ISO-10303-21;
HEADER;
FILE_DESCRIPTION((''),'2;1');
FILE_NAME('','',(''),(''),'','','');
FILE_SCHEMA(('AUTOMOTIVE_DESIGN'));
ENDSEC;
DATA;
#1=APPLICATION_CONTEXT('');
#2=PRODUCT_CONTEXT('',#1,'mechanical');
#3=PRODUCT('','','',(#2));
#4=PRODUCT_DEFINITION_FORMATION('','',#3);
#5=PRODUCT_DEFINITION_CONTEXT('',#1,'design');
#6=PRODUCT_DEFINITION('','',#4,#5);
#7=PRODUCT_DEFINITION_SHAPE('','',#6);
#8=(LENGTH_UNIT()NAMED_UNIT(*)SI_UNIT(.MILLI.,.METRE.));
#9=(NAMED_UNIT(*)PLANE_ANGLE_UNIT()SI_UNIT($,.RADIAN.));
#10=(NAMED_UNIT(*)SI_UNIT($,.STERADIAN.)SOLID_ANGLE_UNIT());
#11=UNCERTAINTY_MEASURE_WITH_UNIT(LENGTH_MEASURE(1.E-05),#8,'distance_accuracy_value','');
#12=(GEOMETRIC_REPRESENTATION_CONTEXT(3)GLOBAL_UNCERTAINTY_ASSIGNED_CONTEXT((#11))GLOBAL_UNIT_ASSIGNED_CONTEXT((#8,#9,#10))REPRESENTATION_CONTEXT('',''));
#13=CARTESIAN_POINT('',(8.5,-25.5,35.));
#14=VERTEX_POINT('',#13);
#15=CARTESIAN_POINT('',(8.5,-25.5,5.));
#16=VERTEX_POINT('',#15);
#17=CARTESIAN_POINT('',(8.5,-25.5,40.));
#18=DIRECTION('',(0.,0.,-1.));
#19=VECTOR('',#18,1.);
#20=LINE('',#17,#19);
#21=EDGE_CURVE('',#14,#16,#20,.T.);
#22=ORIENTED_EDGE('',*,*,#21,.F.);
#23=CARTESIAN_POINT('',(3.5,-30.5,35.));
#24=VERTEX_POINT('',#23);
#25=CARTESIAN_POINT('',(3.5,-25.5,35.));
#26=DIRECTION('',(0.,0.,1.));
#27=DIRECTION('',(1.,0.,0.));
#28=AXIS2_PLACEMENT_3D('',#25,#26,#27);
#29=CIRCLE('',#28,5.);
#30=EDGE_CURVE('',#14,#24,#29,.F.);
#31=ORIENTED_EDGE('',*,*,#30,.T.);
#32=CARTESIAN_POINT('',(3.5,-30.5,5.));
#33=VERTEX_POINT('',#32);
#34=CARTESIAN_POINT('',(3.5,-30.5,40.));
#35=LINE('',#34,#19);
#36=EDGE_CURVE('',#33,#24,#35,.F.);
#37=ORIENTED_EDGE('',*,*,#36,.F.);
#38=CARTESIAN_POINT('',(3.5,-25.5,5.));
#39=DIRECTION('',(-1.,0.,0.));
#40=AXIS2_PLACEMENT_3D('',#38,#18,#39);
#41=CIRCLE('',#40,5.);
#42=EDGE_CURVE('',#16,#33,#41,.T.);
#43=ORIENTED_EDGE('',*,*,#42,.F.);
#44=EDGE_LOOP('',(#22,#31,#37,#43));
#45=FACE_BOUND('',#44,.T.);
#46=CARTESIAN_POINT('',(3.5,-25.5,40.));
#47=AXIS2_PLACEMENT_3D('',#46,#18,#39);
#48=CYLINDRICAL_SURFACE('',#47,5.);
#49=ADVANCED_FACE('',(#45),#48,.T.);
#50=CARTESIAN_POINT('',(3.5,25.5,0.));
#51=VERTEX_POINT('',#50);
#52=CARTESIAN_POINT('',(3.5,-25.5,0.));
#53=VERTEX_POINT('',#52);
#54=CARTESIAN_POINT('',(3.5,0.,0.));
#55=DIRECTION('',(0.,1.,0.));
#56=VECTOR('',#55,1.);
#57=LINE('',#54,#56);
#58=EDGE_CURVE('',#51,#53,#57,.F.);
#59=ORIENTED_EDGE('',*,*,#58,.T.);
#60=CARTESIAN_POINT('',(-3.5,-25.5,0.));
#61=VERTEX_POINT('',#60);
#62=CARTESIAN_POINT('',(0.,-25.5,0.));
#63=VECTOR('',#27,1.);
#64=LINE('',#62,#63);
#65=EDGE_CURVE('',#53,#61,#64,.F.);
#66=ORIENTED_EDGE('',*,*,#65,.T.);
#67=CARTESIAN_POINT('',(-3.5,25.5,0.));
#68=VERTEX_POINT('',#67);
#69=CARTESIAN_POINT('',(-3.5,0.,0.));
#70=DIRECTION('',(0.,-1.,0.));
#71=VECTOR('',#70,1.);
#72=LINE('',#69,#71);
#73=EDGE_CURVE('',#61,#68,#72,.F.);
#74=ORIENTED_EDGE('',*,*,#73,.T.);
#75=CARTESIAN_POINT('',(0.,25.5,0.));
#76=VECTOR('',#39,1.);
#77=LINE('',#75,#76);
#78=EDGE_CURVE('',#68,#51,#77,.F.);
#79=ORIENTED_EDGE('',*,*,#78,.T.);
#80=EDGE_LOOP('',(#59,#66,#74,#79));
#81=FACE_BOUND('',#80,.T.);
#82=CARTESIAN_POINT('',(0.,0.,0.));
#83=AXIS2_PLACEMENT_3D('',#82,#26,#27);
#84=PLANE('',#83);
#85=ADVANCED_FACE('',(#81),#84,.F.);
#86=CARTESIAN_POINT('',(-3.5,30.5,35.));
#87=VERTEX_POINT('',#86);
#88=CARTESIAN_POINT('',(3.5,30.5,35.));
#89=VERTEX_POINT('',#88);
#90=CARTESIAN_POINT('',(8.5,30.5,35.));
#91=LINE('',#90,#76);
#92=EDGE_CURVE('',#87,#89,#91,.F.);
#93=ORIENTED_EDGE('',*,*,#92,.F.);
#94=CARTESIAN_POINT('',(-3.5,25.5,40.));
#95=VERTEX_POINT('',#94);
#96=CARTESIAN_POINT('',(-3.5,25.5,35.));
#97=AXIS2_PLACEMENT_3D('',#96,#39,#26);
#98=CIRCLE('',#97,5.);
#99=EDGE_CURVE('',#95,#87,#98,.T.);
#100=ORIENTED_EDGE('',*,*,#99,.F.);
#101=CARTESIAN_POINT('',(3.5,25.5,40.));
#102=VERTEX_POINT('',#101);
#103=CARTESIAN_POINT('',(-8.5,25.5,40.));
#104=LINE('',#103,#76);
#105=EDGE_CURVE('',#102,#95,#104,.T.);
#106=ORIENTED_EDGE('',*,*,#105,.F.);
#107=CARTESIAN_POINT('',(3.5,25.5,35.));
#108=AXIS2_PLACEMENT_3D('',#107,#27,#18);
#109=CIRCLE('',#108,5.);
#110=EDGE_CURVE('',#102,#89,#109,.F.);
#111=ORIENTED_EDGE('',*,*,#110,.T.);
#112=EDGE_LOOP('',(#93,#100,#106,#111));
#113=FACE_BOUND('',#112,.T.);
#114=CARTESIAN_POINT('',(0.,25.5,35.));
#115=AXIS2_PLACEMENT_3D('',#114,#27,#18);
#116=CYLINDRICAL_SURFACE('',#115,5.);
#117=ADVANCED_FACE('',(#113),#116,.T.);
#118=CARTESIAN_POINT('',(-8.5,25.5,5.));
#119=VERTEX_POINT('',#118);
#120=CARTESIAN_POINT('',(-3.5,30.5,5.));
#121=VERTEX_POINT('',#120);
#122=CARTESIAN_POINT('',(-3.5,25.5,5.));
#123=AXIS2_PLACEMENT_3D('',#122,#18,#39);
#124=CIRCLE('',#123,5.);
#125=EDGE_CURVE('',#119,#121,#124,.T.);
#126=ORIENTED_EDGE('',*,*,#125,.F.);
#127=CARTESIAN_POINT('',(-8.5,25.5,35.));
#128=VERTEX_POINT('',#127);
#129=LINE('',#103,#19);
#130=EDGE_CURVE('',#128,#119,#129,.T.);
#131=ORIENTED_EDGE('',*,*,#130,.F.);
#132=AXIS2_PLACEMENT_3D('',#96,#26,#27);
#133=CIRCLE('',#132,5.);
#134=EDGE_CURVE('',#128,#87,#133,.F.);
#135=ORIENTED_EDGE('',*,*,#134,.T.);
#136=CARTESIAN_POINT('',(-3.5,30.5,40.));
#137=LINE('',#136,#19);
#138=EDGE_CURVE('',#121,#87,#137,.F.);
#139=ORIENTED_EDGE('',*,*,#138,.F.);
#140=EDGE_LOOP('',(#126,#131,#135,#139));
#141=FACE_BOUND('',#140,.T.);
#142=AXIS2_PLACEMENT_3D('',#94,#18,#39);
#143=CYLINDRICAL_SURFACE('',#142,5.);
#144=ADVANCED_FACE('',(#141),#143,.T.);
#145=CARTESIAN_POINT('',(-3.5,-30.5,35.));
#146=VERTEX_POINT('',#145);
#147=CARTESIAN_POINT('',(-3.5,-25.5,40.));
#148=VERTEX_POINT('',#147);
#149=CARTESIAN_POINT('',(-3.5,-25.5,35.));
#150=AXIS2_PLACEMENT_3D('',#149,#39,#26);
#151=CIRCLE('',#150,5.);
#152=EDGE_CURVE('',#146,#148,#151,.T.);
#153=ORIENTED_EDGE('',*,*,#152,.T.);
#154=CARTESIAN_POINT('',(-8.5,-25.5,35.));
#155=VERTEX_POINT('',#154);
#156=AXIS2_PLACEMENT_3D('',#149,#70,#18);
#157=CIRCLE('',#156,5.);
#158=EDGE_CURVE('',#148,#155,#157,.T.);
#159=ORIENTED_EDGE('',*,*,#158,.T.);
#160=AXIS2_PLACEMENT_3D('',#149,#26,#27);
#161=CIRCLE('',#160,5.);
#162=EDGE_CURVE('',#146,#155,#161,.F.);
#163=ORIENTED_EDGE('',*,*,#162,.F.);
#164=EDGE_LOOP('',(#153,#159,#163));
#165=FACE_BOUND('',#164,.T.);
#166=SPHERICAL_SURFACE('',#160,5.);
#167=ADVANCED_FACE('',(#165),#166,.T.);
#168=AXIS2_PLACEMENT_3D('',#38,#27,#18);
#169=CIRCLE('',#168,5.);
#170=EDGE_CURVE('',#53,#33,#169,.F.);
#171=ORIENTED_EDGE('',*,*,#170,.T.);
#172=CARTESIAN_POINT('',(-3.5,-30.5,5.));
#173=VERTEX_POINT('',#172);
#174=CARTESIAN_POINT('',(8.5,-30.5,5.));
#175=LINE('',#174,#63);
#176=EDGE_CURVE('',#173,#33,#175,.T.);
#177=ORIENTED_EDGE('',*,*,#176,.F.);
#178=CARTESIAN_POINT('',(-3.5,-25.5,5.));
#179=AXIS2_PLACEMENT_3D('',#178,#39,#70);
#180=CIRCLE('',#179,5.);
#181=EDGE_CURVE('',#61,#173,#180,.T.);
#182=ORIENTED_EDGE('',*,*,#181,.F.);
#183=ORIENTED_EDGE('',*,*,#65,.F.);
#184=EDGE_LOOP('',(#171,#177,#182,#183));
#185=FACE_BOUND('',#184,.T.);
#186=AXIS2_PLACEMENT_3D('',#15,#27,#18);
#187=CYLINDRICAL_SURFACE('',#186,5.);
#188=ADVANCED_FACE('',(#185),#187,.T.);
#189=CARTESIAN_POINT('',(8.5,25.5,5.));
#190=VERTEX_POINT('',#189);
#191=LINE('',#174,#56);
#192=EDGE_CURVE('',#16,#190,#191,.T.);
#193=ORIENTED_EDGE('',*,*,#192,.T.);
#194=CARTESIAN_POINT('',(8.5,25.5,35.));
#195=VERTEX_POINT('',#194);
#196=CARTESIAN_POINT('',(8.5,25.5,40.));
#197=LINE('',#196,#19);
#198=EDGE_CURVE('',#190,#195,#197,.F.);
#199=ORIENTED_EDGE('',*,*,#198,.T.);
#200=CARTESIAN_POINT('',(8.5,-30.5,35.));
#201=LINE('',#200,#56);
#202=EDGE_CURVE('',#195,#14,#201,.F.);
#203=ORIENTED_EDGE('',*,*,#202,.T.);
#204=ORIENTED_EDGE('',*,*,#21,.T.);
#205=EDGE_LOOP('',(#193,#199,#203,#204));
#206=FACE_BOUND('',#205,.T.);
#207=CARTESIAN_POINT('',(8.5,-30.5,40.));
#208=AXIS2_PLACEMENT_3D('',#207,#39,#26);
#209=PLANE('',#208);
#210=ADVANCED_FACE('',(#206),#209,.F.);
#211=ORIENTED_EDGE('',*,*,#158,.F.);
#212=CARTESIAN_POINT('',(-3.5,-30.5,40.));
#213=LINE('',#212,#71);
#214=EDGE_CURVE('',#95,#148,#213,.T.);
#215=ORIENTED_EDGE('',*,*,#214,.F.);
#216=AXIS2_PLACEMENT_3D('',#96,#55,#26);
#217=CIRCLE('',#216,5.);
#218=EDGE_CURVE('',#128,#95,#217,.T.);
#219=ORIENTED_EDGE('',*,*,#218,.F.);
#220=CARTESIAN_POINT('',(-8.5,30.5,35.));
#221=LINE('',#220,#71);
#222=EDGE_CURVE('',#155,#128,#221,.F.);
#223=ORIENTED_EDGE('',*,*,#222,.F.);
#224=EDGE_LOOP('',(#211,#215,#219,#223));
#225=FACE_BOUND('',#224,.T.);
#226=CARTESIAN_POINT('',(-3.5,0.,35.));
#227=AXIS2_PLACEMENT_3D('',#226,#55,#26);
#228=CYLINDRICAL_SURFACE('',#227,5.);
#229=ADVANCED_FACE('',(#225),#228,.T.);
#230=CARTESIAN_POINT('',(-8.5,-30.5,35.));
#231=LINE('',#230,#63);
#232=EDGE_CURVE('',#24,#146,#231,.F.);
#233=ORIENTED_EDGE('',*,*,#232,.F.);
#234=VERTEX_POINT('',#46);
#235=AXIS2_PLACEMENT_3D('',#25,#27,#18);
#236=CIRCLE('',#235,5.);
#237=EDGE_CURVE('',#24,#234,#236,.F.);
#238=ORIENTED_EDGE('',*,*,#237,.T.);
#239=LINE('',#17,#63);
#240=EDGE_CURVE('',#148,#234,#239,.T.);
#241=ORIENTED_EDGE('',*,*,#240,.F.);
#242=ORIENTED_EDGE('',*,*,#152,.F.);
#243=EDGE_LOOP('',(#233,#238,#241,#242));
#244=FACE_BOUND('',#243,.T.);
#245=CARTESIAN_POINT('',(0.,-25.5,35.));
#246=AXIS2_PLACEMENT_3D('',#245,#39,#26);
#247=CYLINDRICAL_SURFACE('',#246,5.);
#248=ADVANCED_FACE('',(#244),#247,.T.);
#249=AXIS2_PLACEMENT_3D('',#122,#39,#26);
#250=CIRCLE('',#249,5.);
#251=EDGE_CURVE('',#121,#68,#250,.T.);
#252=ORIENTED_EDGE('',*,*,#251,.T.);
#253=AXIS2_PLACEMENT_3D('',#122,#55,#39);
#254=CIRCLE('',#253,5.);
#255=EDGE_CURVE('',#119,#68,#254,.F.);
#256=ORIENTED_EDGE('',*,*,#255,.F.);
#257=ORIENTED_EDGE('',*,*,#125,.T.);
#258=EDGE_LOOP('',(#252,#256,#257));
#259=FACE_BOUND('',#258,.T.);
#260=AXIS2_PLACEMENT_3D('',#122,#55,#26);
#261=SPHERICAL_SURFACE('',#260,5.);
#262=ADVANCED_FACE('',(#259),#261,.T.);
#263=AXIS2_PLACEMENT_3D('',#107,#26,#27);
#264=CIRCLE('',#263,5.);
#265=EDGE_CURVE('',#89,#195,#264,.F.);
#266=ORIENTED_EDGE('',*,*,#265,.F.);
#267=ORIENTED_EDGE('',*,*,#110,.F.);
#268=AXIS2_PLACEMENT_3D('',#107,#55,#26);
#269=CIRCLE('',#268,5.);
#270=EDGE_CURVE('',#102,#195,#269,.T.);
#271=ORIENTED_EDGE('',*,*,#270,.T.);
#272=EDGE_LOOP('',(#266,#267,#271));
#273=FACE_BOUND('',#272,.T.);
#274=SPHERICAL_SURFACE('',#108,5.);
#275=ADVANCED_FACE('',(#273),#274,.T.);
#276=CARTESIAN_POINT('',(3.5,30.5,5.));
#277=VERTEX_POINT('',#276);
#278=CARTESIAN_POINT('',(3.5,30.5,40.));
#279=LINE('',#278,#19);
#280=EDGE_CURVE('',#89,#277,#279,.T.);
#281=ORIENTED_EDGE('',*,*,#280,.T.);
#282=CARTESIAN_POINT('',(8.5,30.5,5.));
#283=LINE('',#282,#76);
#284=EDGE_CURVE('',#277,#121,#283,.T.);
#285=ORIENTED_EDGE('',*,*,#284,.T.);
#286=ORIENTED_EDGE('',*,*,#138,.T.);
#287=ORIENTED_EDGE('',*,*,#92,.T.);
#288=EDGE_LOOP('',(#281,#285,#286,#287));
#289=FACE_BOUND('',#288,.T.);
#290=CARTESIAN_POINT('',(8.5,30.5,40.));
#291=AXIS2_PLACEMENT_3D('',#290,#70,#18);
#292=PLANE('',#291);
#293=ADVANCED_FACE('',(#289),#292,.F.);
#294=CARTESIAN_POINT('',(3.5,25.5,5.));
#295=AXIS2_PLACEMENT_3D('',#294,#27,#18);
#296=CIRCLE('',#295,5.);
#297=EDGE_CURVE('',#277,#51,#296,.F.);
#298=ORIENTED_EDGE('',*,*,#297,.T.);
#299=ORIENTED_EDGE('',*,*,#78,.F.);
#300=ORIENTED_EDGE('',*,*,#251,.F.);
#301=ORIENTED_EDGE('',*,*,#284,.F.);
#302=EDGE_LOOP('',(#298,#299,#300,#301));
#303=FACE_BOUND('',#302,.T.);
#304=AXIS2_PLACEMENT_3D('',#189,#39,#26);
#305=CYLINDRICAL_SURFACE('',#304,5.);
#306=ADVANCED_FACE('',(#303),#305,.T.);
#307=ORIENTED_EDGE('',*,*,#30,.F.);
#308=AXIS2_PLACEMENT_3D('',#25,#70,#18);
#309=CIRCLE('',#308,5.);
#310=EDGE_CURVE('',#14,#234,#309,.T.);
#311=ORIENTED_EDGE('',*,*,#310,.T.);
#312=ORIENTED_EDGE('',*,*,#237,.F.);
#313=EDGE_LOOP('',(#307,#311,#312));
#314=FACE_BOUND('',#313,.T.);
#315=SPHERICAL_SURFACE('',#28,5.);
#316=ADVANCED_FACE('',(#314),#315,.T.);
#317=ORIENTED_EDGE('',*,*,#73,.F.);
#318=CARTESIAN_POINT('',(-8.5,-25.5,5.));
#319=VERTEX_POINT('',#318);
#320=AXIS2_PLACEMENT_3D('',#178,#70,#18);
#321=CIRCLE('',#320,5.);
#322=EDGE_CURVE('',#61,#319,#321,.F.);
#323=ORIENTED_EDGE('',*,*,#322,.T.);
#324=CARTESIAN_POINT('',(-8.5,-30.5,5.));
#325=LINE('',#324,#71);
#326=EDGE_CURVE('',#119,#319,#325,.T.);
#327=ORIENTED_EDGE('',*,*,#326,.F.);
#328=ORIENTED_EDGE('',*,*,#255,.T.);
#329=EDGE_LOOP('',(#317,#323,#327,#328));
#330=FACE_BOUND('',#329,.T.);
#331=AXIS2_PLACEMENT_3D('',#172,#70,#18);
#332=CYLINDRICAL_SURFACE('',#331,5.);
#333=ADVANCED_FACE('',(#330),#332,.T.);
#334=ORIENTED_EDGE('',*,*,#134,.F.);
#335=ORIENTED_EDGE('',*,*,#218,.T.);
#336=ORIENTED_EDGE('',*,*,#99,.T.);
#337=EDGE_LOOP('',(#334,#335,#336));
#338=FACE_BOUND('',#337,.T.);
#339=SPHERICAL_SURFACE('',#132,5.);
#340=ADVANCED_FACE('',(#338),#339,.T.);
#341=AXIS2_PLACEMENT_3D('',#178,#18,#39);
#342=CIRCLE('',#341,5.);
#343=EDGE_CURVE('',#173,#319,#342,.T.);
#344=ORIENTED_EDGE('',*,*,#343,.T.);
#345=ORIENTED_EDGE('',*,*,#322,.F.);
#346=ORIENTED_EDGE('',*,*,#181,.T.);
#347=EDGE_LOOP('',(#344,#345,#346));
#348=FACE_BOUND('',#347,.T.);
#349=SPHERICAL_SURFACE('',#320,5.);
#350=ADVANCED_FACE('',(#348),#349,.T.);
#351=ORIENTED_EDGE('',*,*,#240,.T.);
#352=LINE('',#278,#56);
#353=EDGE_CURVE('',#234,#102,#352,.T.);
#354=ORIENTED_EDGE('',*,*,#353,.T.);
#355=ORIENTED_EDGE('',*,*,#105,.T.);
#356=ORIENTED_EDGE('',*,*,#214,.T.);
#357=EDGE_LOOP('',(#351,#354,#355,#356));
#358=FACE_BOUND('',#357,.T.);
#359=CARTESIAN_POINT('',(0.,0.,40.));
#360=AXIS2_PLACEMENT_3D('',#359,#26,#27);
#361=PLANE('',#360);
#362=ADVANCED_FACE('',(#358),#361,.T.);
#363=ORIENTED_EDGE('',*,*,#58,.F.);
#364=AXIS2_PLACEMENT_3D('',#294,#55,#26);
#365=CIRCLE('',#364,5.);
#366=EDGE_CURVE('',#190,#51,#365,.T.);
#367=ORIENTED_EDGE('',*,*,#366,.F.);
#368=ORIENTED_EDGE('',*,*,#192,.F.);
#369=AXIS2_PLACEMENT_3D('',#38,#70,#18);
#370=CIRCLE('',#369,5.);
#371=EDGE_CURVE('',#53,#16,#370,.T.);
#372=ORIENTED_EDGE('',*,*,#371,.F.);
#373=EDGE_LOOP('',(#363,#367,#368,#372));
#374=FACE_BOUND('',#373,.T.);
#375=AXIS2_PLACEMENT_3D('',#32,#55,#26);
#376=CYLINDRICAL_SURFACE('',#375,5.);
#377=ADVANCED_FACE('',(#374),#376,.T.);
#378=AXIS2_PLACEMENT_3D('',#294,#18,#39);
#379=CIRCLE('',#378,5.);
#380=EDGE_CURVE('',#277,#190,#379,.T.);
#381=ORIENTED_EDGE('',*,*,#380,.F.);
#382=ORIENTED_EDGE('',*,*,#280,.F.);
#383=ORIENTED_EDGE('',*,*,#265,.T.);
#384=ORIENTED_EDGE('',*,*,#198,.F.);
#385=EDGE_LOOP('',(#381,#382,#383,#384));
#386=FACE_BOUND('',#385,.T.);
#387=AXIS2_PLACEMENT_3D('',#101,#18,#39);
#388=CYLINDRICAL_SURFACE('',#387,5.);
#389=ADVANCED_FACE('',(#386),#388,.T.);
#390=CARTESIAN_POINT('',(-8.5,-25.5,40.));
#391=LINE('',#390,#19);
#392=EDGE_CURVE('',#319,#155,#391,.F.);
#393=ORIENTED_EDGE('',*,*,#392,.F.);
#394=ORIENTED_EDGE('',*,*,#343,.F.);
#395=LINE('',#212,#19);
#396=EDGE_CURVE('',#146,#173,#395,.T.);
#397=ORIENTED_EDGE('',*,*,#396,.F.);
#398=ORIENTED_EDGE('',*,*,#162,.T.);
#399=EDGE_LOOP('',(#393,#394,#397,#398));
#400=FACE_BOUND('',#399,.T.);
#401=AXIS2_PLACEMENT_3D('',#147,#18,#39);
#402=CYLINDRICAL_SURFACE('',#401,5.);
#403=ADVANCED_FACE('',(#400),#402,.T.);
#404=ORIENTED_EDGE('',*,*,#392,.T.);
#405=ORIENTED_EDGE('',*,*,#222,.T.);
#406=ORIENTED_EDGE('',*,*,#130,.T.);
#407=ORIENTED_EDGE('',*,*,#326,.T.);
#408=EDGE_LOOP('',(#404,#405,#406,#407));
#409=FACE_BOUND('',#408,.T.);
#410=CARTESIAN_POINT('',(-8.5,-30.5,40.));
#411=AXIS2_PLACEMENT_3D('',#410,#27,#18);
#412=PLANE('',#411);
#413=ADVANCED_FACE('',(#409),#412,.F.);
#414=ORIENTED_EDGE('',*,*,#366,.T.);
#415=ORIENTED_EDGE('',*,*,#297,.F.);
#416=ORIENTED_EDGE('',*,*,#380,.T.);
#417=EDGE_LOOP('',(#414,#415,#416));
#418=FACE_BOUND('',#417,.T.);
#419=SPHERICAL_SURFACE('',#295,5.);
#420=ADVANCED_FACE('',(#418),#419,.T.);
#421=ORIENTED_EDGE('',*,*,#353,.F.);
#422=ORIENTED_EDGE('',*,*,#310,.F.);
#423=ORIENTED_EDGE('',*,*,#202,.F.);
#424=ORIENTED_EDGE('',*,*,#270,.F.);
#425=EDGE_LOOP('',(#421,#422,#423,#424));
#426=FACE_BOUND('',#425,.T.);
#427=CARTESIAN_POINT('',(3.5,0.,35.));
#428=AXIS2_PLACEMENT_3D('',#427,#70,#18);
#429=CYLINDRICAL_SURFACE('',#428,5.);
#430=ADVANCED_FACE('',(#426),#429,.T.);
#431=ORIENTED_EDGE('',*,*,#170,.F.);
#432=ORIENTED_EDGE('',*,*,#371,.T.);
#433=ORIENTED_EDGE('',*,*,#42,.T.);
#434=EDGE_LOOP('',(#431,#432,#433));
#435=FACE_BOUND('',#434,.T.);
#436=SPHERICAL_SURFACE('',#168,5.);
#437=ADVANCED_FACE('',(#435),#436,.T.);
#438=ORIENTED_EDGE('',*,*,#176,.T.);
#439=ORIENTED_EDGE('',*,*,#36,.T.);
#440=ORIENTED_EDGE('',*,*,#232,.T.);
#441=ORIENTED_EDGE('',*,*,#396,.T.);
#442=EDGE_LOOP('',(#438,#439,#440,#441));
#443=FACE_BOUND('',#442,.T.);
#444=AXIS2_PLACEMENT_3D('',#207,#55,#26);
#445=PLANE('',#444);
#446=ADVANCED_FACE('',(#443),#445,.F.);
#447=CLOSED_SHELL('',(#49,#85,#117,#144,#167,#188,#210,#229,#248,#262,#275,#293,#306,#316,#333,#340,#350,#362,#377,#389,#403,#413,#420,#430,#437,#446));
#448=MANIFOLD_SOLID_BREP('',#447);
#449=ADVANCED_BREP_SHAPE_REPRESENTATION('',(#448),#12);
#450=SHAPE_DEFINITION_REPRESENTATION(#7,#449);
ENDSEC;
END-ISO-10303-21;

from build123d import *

# Parameters (mm, degrees)
FRONTSKETCH_W       = 17
FRONTSKETCH_H       = 61
BOSS_EXTRUDE1_DEPTH = 40
FILLET1_R           = 5


with BuildPart() as part:
    # FrontSketch → Boss-Extrude1 (new body)
    with BuildSketch(Plane.XY):
        Rectangle(FRONTSKETCH_W, FRONTSKETCH_H)
    extrude(amount=BOSS_EXTRUDE1_DEPTH)

    # Fillet1
    fillet1_edges = [part.edges().sort_by_distance(p)[0] for p in [
        (8.5, 0, 40),
        (0, 30.5, 40),
        (-8.5, 0, 40),
        (0, 30.5, 0),
        (8.5, 0, 0),
        (0, -30.5, 0),
        (-8.5, 0, 0),
        (-8.5, 30.5, 20),
        (8.5, 30.5, 20),
        (8.5, -30.5, 20),
        (-8.5, -30.5, 20),
        (0, -30.5, 40),
    ]]
    fillet(fillet1_edges, radius=FILLET1_R)


solid = part.part
